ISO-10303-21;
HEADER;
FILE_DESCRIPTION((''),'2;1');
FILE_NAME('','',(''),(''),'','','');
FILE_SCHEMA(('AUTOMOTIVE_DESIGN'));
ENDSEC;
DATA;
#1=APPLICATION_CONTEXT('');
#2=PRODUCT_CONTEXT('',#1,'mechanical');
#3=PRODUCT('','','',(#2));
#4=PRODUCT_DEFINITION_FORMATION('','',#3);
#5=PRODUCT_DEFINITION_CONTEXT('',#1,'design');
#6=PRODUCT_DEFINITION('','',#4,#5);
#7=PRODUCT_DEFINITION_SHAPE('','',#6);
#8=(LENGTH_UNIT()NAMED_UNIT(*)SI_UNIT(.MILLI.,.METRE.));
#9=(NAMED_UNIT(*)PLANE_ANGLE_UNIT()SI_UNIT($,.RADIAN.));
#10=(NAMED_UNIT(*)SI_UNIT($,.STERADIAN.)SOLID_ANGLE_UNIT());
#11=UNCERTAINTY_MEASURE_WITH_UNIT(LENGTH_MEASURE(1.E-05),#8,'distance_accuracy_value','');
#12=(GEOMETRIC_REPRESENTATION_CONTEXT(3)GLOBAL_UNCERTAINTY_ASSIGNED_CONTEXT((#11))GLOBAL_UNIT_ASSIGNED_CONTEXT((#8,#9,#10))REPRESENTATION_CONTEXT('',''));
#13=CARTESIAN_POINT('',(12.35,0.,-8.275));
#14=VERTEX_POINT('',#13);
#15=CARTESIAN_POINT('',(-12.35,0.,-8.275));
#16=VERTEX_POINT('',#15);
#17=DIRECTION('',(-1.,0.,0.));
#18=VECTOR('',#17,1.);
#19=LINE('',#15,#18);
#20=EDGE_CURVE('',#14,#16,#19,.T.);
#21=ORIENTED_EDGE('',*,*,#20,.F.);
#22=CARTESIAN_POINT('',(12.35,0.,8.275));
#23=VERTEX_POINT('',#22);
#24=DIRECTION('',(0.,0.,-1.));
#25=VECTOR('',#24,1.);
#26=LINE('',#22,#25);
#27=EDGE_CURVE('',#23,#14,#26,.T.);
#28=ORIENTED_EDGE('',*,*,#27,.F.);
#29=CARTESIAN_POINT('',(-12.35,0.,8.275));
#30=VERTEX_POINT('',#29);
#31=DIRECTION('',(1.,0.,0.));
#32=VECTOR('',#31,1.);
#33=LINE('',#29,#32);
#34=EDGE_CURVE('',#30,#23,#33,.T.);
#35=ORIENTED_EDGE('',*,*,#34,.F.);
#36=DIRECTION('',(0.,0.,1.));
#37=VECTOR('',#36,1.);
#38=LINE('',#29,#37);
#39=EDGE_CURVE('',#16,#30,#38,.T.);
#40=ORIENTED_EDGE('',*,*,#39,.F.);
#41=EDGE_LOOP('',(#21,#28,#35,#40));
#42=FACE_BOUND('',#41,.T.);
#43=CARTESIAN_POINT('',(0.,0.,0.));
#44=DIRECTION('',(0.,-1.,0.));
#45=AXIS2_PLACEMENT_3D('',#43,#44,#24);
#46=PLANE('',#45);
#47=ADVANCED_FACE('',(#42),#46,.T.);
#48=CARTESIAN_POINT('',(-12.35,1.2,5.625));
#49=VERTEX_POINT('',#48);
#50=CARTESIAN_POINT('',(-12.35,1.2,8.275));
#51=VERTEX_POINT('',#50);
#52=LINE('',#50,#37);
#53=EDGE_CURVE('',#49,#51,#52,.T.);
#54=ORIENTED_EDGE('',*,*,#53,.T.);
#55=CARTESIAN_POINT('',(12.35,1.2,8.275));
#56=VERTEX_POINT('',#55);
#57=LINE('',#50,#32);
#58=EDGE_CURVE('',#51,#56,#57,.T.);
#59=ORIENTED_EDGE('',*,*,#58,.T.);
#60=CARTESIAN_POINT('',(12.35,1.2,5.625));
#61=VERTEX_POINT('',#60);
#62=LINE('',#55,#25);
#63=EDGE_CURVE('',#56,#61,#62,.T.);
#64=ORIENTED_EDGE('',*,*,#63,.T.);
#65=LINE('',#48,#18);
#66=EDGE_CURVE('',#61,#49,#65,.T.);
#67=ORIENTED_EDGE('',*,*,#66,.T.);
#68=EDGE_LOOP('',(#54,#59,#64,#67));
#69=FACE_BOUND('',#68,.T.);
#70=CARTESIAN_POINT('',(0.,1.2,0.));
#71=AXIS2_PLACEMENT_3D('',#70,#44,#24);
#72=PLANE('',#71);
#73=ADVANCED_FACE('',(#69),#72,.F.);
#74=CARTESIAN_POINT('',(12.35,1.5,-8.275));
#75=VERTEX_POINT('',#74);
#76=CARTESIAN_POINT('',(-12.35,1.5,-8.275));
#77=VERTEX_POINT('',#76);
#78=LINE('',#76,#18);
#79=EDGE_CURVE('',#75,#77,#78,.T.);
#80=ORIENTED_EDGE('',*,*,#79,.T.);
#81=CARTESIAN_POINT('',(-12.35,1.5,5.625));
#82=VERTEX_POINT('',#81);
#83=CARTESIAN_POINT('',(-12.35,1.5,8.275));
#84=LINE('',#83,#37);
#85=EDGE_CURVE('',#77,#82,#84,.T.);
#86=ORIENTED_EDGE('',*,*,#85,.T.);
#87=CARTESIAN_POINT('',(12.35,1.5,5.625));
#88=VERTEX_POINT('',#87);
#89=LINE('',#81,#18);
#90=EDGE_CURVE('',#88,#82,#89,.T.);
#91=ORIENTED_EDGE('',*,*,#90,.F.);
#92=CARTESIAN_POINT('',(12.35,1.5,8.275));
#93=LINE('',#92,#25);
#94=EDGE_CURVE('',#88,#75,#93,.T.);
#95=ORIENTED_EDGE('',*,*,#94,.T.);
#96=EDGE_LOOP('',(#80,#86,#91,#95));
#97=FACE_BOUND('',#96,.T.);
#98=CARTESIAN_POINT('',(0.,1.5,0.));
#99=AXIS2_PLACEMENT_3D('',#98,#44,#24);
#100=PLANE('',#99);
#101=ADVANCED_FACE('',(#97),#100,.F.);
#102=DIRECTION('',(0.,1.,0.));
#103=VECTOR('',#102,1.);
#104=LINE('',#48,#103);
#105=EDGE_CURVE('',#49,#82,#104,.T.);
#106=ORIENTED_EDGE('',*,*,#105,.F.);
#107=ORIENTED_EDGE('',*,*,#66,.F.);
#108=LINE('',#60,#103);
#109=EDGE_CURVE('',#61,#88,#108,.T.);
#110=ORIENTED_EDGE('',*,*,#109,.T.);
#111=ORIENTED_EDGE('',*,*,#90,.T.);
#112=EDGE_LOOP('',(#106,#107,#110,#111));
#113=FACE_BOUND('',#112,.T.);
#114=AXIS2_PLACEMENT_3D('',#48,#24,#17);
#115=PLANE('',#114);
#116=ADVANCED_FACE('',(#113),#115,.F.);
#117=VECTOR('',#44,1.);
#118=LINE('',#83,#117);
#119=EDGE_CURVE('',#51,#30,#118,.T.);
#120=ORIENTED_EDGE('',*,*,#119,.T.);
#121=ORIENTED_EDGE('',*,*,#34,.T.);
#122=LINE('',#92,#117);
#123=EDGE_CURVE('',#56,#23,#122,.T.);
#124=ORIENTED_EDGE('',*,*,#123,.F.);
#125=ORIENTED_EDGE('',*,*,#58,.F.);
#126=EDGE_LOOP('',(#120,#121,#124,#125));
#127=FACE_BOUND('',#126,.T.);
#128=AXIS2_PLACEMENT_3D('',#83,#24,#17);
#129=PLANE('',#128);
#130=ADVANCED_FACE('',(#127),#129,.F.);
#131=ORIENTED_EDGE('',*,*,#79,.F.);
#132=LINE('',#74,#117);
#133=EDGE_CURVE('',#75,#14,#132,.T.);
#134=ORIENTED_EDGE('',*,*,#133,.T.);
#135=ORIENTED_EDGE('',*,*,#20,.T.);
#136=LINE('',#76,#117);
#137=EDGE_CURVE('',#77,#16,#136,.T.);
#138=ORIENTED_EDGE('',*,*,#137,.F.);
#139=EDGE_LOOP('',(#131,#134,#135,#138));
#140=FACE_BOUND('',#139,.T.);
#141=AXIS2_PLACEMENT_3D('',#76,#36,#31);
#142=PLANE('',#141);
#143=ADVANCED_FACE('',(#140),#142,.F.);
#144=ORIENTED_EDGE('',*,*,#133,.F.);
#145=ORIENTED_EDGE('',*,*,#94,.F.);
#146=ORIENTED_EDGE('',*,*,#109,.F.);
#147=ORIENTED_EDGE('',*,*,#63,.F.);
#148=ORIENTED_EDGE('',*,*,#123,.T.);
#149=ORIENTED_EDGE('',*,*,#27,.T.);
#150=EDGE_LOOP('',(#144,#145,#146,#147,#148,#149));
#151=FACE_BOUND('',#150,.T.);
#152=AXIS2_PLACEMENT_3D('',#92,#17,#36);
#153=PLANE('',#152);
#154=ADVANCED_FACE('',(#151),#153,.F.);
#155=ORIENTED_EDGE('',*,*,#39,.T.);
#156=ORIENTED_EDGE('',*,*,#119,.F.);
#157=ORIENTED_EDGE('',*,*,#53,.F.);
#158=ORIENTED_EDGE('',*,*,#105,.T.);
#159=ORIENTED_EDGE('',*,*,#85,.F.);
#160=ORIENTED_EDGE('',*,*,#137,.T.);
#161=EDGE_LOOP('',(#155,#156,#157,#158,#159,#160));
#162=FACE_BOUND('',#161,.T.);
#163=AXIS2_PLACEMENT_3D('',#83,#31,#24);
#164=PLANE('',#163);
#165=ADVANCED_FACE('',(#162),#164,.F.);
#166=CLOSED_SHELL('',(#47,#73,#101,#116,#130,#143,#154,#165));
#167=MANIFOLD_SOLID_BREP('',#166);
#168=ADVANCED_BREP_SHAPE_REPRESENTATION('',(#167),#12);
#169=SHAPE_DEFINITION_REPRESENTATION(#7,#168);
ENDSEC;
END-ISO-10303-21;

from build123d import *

# Parameters (mm, degrees)
SKETCH1_W           = 24.7
SKETCH1_H           = 16.55
BOSS_EXTRUDE1_DEPTH = 1.5
SKETCH2_W           = 24.7
SKETCH2_H           = 2.65
CUT_EXTRUDE1_DEPTH  = 0.3


with BuildPart() as part:
    # Sketch1 → Boss-Extrude1 (new body)
    with BuildSketch(Plane(origin=(0, 0, 0), x_dir=(1, 0, 0), z_dir=(0, 1, 0))):
        Rectangle(SKETCH1_W, SKETCH1_H)
    extrude(amount=BOSS_EXTRUDE1_DEPTH)

    # Sketch2 → Cut-Extrude1 (cut)
    with BuildSketch(Plane(origin=(0, 1.5, 0), x_dir=(1, 0, 0), z_dir=(0, 1, 0))):
        with Locations((0, -6.95)):
            Rectangle(SKETCH2_W, SKETCH2_H)
    extrude(amount=-CUT_EXTRUDE1_DEPTH, mode=Mode.SUBTRACT)


solid = part.part
